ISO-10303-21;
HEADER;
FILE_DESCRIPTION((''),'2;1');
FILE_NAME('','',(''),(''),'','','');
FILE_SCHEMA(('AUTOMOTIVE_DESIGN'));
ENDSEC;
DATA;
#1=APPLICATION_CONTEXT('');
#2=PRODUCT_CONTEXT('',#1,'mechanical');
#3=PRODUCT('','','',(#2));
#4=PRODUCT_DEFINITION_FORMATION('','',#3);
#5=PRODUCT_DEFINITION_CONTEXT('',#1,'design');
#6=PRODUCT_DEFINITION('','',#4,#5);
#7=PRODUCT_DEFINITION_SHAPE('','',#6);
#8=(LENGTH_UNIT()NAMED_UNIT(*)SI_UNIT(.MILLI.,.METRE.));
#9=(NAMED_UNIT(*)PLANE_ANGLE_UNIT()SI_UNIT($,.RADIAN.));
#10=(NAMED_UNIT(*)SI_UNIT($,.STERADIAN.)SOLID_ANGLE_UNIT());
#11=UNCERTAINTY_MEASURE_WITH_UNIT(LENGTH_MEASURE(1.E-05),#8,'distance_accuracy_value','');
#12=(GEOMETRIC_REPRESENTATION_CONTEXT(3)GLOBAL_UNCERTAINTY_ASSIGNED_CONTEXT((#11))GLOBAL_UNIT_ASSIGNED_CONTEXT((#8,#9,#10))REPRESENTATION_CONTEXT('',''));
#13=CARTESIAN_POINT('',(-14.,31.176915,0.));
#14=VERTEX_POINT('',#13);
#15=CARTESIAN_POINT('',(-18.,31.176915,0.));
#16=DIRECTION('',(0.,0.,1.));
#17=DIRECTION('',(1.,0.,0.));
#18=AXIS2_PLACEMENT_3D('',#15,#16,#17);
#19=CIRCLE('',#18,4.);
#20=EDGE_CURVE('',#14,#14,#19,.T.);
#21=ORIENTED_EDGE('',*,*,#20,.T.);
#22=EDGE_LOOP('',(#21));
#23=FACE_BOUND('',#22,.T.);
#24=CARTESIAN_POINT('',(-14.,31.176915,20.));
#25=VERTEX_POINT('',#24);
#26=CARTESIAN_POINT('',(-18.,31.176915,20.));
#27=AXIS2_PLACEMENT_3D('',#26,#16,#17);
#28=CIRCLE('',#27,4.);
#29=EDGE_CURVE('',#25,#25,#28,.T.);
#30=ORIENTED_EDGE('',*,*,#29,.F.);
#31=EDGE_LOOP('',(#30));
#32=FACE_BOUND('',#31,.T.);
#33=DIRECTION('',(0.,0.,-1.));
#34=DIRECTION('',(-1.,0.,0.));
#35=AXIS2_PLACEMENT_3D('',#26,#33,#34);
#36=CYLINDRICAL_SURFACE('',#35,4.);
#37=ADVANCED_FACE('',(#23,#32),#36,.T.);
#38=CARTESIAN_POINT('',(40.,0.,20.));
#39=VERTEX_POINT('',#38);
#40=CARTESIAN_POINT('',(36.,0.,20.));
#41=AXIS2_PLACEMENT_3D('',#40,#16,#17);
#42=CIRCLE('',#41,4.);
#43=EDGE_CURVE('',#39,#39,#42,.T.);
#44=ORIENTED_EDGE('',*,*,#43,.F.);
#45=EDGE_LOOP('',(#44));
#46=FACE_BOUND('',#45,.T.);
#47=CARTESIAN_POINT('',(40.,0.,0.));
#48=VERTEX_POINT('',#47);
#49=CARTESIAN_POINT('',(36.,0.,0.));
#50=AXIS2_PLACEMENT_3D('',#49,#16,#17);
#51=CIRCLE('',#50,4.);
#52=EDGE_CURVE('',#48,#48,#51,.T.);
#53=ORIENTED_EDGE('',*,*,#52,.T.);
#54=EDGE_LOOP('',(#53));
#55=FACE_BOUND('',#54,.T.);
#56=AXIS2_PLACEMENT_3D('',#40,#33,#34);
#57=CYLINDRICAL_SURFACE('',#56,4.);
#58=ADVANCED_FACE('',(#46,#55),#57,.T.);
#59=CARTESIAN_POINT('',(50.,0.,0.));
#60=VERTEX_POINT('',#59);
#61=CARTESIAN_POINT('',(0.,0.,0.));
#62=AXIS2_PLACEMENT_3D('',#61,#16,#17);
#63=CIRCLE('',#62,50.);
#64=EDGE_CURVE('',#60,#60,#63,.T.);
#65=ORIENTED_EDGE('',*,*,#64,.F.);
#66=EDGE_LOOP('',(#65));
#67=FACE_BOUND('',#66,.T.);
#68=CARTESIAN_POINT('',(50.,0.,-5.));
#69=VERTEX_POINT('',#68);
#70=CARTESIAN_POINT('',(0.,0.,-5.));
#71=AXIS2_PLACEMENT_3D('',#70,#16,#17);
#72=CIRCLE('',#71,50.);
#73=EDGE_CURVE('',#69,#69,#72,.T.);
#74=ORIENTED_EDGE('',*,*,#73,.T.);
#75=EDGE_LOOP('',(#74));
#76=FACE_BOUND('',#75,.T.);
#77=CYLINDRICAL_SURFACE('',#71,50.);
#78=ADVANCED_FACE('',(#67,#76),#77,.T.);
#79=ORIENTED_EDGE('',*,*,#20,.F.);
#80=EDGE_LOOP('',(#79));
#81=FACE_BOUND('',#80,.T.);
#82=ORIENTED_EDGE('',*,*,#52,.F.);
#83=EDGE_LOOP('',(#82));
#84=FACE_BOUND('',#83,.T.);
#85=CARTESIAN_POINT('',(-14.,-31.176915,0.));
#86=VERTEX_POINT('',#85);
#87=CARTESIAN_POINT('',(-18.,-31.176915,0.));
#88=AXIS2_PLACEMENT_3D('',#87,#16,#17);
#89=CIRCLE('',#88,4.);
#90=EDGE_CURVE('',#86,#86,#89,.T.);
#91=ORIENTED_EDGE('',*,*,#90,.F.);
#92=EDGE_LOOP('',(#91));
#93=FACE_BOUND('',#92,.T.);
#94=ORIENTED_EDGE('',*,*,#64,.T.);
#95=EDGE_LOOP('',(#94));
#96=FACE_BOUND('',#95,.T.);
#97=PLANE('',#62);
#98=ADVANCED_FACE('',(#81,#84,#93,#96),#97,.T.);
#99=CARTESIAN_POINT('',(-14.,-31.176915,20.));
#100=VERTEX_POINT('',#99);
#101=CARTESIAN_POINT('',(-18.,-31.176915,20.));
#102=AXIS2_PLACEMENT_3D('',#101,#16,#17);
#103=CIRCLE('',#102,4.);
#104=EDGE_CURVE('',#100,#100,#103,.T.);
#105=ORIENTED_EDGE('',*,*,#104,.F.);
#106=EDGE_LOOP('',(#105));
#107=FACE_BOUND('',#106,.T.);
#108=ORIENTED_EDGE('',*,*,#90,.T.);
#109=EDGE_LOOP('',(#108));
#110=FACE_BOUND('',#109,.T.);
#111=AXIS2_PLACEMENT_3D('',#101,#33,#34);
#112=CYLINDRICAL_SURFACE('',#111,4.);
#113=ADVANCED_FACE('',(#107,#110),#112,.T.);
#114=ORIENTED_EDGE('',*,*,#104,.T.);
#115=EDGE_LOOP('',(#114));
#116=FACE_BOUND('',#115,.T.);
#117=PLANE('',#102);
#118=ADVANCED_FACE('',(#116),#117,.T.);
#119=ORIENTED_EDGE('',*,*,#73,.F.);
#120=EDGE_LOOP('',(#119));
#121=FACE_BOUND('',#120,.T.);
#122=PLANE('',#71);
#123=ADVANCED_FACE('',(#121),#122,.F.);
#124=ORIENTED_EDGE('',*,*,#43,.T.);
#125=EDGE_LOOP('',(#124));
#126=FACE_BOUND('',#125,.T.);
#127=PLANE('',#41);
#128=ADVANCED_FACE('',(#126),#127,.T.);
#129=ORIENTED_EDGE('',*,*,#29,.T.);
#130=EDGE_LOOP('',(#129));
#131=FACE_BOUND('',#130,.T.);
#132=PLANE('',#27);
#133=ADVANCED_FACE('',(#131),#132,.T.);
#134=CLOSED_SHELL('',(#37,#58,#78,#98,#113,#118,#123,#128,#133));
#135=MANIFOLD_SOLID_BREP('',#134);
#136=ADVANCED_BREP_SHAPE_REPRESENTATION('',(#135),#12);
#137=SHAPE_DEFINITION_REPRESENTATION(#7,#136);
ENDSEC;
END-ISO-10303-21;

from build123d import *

# Parameters (mm, degrees)
SKETCH1_R           = 50
BOSS_EXTRUDE1_DEPTH = 5
SKETCH2_R           = 4
BOSS_EXTRUDE2_DEPTH = 20


with BuildPart() as part:
    # Sketch1 → Boss-Extrude1 (new body)
    with BuildSketch(Plane.XY):
        Circle(SKETCH1_R)
    extrude(amount=-BOSS_EXTRUDE1_DEPTH)

    # Sketch2 → Boss-Extrude2 (add)
    with BuildSketch(Plane.XY):
        with Locations((36, 0)):
            Circle(SKETCH2_R)
        with Locations((-18, 31.176914536)):
            Circle(SKETCH2_R)
        with Locations((-18, -31.176914536)):
            Circle(SKETCH2_R)
    extrude(amount=BOSS_EXTRUDE2_DEPTH)


solid = part.part
